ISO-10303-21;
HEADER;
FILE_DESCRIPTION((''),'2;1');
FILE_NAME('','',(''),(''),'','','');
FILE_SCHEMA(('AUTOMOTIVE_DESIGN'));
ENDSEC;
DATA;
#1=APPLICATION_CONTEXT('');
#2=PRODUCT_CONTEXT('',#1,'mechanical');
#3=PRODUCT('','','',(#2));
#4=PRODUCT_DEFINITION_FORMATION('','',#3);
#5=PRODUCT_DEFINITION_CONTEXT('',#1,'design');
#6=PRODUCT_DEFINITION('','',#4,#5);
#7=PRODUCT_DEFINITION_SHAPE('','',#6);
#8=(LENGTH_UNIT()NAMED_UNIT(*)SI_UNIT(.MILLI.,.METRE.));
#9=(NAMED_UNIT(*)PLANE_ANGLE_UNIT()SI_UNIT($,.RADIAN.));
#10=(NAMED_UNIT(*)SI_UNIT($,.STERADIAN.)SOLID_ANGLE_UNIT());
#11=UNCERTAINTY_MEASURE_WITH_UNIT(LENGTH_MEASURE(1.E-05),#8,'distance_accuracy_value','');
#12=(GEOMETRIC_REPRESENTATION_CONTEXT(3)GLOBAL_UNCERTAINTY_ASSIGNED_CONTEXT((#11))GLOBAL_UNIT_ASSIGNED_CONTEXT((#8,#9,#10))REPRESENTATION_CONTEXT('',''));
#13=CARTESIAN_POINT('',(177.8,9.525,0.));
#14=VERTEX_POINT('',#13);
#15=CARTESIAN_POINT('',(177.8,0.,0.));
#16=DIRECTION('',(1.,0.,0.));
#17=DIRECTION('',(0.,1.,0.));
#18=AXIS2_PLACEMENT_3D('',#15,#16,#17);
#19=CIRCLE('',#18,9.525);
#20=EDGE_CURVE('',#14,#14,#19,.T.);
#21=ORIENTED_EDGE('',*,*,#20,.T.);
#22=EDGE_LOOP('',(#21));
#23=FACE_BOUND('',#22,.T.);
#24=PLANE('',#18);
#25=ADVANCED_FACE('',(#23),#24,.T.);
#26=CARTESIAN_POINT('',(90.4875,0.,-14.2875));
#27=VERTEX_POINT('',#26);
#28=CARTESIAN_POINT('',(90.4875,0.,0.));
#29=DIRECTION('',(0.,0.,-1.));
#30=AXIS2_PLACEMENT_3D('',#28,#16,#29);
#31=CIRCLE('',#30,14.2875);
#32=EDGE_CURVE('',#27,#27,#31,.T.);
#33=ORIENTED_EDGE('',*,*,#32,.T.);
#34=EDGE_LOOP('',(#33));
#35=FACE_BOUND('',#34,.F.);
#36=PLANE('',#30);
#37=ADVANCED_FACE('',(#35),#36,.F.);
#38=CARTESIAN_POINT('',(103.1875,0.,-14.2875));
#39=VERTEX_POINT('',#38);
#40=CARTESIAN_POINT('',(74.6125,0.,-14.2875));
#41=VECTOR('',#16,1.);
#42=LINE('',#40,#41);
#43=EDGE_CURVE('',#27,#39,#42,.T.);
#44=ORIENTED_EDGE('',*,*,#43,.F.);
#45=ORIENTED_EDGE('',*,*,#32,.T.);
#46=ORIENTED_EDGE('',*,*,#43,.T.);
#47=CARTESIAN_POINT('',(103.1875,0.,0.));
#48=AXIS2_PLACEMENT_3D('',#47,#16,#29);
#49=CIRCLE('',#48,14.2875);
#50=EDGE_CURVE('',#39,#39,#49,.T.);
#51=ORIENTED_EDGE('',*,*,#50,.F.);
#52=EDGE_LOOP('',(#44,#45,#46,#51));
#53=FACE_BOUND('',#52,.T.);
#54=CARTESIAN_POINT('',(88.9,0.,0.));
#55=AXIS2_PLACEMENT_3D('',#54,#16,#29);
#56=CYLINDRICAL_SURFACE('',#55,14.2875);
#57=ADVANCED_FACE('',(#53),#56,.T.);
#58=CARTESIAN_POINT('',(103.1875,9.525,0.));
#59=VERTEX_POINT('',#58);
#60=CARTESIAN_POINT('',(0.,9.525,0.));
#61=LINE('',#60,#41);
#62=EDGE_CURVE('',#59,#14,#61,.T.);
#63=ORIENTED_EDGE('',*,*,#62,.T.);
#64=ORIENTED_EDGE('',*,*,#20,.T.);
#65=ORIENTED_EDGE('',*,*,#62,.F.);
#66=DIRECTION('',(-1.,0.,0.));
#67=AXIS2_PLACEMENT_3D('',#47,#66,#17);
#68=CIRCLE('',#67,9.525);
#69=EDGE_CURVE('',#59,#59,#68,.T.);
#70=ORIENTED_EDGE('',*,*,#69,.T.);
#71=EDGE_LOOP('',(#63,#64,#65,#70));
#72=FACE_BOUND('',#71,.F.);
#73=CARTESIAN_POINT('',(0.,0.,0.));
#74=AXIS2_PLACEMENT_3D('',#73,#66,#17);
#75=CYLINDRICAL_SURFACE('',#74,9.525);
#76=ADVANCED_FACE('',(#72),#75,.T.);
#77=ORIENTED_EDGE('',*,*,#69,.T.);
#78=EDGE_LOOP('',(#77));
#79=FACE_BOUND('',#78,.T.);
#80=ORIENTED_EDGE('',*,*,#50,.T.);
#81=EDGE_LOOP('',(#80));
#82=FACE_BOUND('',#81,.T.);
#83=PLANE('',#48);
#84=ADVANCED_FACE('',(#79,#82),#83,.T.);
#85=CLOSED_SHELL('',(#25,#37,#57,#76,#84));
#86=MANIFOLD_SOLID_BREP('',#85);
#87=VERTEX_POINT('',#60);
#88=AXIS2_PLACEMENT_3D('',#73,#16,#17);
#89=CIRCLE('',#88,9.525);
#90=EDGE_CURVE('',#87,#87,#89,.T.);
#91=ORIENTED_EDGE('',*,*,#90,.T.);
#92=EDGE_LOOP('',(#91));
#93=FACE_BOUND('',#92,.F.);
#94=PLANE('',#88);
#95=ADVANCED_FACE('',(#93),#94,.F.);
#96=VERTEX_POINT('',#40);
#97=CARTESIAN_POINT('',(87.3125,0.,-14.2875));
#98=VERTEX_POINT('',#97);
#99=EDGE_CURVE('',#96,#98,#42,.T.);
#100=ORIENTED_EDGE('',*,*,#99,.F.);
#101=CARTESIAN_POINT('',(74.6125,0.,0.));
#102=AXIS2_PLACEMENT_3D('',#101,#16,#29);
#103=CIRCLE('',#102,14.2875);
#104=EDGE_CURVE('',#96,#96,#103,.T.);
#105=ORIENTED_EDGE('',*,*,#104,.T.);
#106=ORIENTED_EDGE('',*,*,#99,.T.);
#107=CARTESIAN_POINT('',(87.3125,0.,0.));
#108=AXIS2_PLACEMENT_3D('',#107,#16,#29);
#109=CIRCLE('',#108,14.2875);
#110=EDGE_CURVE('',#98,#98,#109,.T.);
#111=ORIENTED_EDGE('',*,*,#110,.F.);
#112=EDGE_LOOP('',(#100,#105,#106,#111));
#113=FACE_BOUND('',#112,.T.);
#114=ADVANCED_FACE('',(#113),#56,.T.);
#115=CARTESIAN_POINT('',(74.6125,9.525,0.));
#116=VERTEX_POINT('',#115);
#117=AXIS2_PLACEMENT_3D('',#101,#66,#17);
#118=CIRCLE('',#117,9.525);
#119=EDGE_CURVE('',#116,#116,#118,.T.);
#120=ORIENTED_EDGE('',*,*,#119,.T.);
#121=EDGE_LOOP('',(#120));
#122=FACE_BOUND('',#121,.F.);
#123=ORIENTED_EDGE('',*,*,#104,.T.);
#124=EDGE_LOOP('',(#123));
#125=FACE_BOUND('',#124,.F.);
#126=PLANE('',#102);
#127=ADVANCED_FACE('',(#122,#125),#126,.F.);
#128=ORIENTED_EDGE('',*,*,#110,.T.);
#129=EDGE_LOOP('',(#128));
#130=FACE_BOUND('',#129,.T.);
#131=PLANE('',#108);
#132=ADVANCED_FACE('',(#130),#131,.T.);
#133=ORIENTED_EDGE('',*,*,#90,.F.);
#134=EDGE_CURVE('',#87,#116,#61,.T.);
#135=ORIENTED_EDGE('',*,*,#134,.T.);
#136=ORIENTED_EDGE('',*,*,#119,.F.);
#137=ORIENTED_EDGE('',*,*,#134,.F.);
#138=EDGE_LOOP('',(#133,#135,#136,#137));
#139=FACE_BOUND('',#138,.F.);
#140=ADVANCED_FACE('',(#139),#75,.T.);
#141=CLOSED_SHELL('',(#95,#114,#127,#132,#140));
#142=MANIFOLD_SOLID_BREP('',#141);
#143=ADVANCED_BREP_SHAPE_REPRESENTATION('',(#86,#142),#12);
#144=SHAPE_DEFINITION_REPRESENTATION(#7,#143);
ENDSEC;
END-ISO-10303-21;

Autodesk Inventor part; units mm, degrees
sketch "Sketch1" plane through (0, 0, 0) normal (1, 0, 0) x (0, 1, 0)
  circle A0 centre (0, 0) radius 9.525
  dimension "d0" = 19.05
extrude "Extrusion1" add sketch "Sketch1" along normal blind 177.8
sketch "Sketch2" plane through (0, 0, 0) normal (0, 0, 1) x (1, 0, 0)
  line L0 (0, 9.525) -> (0, -9.525) projected
  line L1 (177.8, -9.525) -> (177.8, 9.525) projected
  line L2 (177.8, 0) -> (203.2, 0)
  line L3 (191.0369, -3.6537) -> (215.3631, 3.6537)
  line L4 (0, 0) -> (-25.4, 0)
  line L5 (-37.5631, 3.6537) -> (-13.2369, -3.6537)
  line L6 (-37.5631, 3.6537) -> (215.3631, 3.6537) construction
  line L7 (191.0369, -3.6537) -> (-13.2369, -3.6537) construction
  dimension "d3" = 25.4
  dimension "d4" = 16.72
ref_plane "Work Plane1" through (88.9, 0, 0) normal (1, 0, 0) x (0, 0, -1)
sketch "Sketch4" plane through (88.9, 0, 0) normal (1, 0, 0) x (0, 0, -1)
  circle A0 centre (0, 0) radius 14.2875
  dimension "d5" = 28.575
extrude "Extrusion2" add sketch "Sketch4" along normal mid plane 28.575
sketch "Sketch5" plane through (88.9, 0, 0) normal (1, 0, 0) x (0, 0, -1)
  circle A0 centre (0, 0) radius 14.2875
extrude "Extrusion3" cut sketch "Sketch5" along normal mid plane 3.175
sketch "Sketch6" plane through (0, 0, 0) normal (0, 1, 0) x (-1, 0, 0)
  line L0 (25.4, 0) -> (25.4, -14.6229)
  line L1 (-203.2, 0) -> (-203.2, -14.6229)
  point P0 (0, 0)
ref_plane "Work Plane2" through (203.2, 0, -14.6229) normal (-0.2877, 0.9577, 0) x (0, 0, 1)
sketch "Sketch7" plane through (203.2, 0, -14.6229) normal (-0.2877, 0.9577, 0) x (0, 0, 1)
  line L0 (9.6135, 0) -> (20.0925, 0)
  point P0 (14.6229, -194.6091)
  point P1 (14.6229, 0)
ref_plane "Work Plane4" through (-37.5631, 3.6537, 0) normal (0.2877, 0.9577, 0) x (0.9577, -0.2877, 0)
sketch "Sketch8" plane through (-37.5631, 3.6537, 0) normal (0.2877, 0.9577, 0) x (0.9577, -0.2877, 0)
  line L0 (12.7, 14.543) -> (12.7, -14.441)
  point P0 (37.0261, 0)
  point P1 (12.7, 0)
sketch "Sketch9" plane through (88.9, 0, 0) normal (1, 0, 0) x (0, 0, -1)
  line L0 (0, 18.8045) -> (0, -31.5137)
  point P0 (0, 0)
properties part number "Top Axle"
